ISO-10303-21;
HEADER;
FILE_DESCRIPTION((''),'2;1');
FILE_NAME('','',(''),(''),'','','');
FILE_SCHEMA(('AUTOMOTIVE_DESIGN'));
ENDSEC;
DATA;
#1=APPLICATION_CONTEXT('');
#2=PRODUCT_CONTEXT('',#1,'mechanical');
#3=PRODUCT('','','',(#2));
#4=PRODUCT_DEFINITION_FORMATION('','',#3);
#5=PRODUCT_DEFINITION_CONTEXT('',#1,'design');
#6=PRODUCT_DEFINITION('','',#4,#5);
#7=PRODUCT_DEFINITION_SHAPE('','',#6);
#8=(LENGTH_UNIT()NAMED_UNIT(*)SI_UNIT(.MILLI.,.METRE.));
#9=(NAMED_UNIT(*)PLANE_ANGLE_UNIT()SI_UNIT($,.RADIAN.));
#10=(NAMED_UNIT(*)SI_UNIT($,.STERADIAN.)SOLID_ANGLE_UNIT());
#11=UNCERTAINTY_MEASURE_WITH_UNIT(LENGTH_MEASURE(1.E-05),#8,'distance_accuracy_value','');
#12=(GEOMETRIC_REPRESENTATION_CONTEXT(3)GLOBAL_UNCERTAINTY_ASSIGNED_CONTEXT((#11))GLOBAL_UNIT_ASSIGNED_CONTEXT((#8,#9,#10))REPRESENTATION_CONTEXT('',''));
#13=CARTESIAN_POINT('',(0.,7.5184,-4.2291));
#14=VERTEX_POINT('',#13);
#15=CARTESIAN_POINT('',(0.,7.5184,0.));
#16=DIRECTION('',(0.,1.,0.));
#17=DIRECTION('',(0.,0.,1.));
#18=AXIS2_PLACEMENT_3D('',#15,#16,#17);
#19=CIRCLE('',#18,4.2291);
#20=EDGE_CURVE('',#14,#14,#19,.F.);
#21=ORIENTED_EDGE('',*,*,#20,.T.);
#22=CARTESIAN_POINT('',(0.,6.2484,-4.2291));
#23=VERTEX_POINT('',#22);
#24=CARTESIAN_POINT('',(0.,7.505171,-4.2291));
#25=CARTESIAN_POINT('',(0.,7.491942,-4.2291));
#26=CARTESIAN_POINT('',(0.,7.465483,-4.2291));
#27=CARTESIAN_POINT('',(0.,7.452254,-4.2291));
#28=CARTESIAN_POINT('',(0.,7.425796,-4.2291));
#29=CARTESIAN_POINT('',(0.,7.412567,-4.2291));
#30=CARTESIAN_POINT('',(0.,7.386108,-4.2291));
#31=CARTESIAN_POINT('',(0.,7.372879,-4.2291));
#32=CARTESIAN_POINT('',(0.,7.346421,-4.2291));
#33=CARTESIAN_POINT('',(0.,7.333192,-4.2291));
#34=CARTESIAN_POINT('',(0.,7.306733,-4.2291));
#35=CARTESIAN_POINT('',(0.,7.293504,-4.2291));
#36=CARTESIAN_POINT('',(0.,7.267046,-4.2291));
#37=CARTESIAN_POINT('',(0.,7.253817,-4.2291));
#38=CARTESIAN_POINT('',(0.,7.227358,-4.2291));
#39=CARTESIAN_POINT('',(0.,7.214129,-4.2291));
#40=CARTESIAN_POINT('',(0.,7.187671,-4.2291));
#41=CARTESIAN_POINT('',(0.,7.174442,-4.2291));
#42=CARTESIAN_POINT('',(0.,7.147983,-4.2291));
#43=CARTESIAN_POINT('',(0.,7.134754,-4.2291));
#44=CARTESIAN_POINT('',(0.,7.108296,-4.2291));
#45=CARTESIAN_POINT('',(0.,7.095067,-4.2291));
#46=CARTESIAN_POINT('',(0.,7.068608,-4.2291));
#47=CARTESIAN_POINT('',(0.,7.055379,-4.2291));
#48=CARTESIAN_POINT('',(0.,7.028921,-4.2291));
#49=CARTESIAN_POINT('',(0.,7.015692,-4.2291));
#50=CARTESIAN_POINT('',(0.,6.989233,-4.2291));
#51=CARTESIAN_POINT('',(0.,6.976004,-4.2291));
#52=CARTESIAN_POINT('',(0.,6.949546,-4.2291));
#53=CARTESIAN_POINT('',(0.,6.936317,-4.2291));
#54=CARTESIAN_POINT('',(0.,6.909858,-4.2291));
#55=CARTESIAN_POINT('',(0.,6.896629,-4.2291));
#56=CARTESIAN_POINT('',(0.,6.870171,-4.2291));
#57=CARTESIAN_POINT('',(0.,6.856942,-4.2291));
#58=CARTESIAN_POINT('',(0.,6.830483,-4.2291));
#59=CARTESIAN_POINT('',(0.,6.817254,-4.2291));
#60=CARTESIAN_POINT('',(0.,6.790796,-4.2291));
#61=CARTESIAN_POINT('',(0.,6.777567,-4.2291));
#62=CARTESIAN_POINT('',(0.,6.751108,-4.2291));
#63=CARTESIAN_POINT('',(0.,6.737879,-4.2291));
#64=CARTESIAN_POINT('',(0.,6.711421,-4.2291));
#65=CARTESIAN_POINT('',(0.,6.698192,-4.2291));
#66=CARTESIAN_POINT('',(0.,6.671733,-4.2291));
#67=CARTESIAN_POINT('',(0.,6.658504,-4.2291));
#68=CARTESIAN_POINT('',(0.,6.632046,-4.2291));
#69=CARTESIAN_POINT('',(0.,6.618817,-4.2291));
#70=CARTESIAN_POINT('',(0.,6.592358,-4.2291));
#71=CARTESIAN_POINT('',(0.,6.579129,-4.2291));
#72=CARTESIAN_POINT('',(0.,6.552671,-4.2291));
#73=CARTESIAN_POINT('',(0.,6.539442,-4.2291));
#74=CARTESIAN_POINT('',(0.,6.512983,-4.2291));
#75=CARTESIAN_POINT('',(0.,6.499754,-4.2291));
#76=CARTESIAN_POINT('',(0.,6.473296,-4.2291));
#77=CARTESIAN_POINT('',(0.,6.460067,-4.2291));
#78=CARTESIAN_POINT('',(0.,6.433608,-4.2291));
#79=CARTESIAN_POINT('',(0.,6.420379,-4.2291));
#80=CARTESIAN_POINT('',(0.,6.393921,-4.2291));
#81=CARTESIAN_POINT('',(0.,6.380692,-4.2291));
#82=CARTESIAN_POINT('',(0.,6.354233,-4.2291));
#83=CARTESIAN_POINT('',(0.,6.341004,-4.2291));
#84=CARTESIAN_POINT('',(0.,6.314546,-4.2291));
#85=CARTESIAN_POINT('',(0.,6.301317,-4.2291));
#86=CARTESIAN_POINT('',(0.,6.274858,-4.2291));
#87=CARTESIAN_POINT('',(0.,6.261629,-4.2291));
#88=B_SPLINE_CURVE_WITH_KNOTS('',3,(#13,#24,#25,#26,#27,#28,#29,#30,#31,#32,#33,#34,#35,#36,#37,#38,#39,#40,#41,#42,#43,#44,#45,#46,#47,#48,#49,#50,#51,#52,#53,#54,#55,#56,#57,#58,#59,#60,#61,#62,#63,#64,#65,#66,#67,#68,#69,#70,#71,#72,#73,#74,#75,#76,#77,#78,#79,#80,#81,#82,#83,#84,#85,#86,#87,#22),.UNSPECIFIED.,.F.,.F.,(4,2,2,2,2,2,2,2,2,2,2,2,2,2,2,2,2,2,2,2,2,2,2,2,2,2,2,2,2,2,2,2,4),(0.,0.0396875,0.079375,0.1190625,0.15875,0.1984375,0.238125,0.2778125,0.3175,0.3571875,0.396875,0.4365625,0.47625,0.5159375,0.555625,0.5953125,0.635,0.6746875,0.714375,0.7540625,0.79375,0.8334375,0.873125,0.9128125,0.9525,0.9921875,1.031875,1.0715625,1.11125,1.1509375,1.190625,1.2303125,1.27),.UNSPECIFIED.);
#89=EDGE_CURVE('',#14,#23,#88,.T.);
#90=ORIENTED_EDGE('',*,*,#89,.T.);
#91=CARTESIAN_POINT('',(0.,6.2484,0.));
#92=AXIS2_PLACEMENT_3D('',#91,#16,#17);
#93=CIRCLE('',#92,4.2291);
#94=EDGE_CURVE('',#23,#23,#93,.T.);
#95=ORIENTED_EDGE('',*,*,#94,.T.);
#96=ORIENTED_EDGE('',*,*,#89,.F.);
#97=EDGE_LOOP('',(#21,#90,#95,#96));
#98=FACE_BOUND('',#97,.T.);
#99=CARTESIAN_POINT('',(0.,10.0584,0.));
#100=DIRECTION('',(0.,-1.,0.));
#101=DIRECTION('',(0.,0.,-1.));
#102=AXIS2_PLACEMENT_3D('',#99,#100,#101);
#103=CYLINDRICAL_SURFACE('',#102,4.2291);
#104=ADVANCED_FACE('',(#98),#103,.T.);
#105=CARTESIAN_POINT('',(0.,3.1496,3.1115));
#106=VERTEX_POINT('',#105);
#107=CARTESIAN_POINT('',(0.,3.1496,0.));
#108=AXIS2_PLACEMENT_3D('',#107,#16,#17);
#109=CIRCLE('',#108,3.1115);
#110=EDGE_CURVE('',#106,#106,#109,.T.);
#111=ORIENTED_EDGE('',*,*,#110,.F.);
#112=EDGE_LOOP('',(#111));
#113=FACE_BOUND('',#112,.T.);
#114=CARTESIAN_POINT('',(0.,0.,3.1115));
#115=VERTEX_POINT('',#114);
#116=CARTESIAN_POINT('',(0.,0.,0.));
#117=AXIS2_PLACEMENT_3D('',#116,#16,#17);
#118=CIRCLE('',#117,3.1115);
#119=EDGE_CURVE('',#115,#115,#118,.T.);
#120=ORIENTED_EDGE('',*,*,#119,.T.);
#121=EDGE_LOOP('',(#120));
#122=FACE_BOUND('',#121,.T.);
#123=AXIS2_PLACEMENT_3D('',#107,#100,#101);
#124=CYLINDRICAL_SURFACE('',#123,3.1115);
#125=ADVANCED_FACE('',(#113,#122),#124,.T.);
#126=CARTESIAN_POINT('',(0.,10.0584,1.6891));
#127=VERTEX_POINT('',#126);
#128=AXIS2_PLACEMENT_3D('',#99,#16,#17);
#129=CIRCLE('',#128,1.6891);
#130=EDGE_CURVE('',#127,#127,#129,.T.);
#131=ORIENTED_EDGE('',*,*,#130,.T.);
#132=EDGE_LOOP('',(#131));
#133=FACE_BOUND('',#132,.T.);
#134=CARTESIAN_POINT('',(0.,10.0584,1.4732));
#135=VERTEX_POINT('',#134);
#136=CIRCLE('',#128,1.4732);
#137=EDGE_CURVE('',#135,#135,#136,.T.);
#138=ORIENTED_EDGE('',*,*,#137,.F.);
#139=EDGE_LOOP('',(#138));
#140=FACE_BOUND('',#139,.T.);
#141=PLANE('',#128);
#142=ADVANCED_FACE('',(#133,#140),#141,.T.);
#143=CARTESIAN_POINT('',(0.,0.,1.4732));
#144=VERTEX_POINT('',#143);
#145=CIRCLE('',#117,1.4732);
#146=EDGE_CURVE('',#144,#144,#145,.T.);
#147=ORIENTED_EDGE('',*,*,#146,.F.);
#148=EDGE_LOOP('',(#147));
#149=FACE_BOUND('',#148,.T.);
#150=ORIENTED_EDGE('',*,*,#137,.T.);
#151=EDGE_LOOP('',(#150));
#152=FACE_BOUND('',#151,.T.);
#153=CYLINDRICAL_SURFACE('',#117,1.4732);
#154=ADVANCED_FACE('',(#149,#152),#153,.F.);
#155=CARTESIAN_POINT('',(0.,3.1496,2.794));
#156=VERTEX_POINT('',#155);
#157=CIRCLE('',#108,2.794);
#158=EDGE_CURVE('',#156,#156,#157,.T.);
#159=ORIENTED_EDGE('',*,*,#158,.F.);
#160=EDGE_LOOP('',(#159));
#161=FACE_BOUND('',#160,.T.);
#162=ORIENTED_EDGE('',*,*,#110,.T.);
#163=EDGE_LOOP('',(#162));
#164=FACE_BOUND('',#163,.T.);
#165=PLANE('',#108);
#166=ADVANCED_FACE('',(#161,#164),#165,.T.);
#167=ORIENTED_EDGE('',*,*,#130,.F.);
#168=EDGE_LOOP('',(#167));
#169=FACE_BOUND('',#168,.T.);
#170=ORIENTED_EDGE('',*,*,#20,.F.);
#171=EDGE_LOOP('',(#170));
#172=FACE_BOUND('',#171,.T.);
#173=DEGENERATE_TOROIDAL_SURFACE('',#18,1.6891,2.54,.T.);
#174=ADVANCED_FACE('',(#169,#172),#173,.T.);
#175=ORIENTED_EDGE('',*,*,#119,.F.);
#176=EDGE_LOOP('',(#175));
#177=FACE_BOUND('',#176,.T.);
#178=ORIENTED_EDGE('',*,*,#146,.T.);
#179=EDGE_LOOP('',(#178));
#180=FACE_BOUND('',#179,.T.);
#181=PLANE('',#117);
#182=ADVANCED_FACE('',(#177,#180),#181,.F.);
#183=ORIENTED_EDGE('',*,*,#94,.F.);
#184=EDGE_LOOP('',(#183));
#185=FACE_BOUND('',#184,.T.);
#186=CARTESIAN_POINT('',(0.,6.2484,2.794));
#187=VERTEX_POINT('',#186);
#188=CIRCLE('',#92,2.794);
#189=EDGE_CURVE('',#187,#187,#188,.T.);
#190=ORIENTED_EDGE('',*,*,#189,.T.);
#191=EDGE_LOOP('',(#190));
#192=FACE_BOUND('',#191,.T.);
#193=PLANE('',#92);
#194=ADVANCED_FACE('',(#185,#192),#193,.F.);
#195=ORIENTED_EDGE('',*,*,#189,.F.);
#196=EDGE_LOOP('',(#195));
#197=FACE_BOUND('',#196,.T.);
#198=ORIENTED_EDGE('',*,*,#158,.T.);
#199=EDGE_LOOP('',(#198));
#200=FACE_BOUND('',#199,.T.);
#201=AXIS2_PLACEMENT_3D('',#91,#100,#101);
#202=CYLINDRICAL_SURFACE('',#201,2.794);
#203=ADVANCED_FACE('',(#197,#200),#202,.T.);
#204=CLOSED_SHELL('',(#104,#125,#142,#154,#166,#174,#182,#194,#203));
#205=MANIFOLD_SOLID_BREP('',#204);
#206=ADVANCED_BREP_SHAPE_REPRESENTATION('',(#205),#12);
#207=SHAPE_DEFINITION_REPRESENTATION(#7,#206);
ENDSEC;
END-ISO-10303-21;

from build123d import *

# Parameters (mm, degrees)
SKETCH1_R               = 3.1115
BOSS_EXTRUDE1_DEPTH     = 3.1496
SKETCH3_R               = 2.794
BOSS_EXTRUDE2_DEPTH     = 3.0988
SKETCH4_R               = 4.2291
BOSS_EXTRUDE3_DEPTH     = 3.81
CUT_EXTRUDE1_DEPTH      = 12.702221335
CUT_EXTRUDE1_DEPTH_BACK = 12.702221335
SKETCH5_R               = 1.4732
FILLET1_R               = 2.54


with BuildPart() as part:
    # Sketch1 → Boss-Extrude1 (new body)
    with BuildSketch(Plane(origin=(0, 0, 0), x_dir=(1, 0, 0), z_dir=(0, 1, 0))):
        with Locations(Location((0, 0, 0), (0, 0, 270))):
            Circle(SKETCH1_R)
    extrude(amount=BOSS_EXTRUDE1_DEPTH)

    # Sketch3 → Boss-Extrude2 (add)
    with BuildSketch(Plane(origin=(0, 3.1496, 0), x_dir=(1, 0, 0), z_dir=(0, 1, 0))):
        with Locations(Location((0, 0, 0), (0, 0, 270))):
            Circle(SKETCH3_R)
    extrude(amount=BOSS_EXTRUDE2_DEPTH)

    # Sketch4 → Boss-Extrude3 (add)
    with BuildSketch(Plane(origin=(0, 6.2484, 0), x_dir=(1, 0, 0), z_dir=(0, 1, 0))):
        with Locations(Location((0, 0, 0), (0, 0, 90))):
            Circle(SKETCH4_R)
    extrude(amount=BOSS_EXTRUDE3_DEPTH)

    # Sketch5 → Cut-Extrude1 (cut, two sides: drawn at the far end of the back side and taken through both)
    with BuildSketch(Plane(origin=(0, 10.0584, 0), x_dir=(1, 0, 0), z_dir=(0, 1, 0)).offset(-CUT_EXTRUDE1_DEPTH_BACK)):
        with Locations(Location((0, 0, 0), (0, 0, 270))):
            Circle(SKETCH5_R)
    extrude(amount=CUT_EXTRUDE1_DEPTH + CUT_EXTRUDE1_DEPTH_BACK, mode=Mode.SUBTRACT)

    # Fillet1
    fillet1_edges = [part.edges().sort_by_distance(p)[0] for p in [
        (0, 10.0584, 4.2291),
    ]]
    fillet(fillet1_edges, radius=FILLET1_R)


solid = part.part
